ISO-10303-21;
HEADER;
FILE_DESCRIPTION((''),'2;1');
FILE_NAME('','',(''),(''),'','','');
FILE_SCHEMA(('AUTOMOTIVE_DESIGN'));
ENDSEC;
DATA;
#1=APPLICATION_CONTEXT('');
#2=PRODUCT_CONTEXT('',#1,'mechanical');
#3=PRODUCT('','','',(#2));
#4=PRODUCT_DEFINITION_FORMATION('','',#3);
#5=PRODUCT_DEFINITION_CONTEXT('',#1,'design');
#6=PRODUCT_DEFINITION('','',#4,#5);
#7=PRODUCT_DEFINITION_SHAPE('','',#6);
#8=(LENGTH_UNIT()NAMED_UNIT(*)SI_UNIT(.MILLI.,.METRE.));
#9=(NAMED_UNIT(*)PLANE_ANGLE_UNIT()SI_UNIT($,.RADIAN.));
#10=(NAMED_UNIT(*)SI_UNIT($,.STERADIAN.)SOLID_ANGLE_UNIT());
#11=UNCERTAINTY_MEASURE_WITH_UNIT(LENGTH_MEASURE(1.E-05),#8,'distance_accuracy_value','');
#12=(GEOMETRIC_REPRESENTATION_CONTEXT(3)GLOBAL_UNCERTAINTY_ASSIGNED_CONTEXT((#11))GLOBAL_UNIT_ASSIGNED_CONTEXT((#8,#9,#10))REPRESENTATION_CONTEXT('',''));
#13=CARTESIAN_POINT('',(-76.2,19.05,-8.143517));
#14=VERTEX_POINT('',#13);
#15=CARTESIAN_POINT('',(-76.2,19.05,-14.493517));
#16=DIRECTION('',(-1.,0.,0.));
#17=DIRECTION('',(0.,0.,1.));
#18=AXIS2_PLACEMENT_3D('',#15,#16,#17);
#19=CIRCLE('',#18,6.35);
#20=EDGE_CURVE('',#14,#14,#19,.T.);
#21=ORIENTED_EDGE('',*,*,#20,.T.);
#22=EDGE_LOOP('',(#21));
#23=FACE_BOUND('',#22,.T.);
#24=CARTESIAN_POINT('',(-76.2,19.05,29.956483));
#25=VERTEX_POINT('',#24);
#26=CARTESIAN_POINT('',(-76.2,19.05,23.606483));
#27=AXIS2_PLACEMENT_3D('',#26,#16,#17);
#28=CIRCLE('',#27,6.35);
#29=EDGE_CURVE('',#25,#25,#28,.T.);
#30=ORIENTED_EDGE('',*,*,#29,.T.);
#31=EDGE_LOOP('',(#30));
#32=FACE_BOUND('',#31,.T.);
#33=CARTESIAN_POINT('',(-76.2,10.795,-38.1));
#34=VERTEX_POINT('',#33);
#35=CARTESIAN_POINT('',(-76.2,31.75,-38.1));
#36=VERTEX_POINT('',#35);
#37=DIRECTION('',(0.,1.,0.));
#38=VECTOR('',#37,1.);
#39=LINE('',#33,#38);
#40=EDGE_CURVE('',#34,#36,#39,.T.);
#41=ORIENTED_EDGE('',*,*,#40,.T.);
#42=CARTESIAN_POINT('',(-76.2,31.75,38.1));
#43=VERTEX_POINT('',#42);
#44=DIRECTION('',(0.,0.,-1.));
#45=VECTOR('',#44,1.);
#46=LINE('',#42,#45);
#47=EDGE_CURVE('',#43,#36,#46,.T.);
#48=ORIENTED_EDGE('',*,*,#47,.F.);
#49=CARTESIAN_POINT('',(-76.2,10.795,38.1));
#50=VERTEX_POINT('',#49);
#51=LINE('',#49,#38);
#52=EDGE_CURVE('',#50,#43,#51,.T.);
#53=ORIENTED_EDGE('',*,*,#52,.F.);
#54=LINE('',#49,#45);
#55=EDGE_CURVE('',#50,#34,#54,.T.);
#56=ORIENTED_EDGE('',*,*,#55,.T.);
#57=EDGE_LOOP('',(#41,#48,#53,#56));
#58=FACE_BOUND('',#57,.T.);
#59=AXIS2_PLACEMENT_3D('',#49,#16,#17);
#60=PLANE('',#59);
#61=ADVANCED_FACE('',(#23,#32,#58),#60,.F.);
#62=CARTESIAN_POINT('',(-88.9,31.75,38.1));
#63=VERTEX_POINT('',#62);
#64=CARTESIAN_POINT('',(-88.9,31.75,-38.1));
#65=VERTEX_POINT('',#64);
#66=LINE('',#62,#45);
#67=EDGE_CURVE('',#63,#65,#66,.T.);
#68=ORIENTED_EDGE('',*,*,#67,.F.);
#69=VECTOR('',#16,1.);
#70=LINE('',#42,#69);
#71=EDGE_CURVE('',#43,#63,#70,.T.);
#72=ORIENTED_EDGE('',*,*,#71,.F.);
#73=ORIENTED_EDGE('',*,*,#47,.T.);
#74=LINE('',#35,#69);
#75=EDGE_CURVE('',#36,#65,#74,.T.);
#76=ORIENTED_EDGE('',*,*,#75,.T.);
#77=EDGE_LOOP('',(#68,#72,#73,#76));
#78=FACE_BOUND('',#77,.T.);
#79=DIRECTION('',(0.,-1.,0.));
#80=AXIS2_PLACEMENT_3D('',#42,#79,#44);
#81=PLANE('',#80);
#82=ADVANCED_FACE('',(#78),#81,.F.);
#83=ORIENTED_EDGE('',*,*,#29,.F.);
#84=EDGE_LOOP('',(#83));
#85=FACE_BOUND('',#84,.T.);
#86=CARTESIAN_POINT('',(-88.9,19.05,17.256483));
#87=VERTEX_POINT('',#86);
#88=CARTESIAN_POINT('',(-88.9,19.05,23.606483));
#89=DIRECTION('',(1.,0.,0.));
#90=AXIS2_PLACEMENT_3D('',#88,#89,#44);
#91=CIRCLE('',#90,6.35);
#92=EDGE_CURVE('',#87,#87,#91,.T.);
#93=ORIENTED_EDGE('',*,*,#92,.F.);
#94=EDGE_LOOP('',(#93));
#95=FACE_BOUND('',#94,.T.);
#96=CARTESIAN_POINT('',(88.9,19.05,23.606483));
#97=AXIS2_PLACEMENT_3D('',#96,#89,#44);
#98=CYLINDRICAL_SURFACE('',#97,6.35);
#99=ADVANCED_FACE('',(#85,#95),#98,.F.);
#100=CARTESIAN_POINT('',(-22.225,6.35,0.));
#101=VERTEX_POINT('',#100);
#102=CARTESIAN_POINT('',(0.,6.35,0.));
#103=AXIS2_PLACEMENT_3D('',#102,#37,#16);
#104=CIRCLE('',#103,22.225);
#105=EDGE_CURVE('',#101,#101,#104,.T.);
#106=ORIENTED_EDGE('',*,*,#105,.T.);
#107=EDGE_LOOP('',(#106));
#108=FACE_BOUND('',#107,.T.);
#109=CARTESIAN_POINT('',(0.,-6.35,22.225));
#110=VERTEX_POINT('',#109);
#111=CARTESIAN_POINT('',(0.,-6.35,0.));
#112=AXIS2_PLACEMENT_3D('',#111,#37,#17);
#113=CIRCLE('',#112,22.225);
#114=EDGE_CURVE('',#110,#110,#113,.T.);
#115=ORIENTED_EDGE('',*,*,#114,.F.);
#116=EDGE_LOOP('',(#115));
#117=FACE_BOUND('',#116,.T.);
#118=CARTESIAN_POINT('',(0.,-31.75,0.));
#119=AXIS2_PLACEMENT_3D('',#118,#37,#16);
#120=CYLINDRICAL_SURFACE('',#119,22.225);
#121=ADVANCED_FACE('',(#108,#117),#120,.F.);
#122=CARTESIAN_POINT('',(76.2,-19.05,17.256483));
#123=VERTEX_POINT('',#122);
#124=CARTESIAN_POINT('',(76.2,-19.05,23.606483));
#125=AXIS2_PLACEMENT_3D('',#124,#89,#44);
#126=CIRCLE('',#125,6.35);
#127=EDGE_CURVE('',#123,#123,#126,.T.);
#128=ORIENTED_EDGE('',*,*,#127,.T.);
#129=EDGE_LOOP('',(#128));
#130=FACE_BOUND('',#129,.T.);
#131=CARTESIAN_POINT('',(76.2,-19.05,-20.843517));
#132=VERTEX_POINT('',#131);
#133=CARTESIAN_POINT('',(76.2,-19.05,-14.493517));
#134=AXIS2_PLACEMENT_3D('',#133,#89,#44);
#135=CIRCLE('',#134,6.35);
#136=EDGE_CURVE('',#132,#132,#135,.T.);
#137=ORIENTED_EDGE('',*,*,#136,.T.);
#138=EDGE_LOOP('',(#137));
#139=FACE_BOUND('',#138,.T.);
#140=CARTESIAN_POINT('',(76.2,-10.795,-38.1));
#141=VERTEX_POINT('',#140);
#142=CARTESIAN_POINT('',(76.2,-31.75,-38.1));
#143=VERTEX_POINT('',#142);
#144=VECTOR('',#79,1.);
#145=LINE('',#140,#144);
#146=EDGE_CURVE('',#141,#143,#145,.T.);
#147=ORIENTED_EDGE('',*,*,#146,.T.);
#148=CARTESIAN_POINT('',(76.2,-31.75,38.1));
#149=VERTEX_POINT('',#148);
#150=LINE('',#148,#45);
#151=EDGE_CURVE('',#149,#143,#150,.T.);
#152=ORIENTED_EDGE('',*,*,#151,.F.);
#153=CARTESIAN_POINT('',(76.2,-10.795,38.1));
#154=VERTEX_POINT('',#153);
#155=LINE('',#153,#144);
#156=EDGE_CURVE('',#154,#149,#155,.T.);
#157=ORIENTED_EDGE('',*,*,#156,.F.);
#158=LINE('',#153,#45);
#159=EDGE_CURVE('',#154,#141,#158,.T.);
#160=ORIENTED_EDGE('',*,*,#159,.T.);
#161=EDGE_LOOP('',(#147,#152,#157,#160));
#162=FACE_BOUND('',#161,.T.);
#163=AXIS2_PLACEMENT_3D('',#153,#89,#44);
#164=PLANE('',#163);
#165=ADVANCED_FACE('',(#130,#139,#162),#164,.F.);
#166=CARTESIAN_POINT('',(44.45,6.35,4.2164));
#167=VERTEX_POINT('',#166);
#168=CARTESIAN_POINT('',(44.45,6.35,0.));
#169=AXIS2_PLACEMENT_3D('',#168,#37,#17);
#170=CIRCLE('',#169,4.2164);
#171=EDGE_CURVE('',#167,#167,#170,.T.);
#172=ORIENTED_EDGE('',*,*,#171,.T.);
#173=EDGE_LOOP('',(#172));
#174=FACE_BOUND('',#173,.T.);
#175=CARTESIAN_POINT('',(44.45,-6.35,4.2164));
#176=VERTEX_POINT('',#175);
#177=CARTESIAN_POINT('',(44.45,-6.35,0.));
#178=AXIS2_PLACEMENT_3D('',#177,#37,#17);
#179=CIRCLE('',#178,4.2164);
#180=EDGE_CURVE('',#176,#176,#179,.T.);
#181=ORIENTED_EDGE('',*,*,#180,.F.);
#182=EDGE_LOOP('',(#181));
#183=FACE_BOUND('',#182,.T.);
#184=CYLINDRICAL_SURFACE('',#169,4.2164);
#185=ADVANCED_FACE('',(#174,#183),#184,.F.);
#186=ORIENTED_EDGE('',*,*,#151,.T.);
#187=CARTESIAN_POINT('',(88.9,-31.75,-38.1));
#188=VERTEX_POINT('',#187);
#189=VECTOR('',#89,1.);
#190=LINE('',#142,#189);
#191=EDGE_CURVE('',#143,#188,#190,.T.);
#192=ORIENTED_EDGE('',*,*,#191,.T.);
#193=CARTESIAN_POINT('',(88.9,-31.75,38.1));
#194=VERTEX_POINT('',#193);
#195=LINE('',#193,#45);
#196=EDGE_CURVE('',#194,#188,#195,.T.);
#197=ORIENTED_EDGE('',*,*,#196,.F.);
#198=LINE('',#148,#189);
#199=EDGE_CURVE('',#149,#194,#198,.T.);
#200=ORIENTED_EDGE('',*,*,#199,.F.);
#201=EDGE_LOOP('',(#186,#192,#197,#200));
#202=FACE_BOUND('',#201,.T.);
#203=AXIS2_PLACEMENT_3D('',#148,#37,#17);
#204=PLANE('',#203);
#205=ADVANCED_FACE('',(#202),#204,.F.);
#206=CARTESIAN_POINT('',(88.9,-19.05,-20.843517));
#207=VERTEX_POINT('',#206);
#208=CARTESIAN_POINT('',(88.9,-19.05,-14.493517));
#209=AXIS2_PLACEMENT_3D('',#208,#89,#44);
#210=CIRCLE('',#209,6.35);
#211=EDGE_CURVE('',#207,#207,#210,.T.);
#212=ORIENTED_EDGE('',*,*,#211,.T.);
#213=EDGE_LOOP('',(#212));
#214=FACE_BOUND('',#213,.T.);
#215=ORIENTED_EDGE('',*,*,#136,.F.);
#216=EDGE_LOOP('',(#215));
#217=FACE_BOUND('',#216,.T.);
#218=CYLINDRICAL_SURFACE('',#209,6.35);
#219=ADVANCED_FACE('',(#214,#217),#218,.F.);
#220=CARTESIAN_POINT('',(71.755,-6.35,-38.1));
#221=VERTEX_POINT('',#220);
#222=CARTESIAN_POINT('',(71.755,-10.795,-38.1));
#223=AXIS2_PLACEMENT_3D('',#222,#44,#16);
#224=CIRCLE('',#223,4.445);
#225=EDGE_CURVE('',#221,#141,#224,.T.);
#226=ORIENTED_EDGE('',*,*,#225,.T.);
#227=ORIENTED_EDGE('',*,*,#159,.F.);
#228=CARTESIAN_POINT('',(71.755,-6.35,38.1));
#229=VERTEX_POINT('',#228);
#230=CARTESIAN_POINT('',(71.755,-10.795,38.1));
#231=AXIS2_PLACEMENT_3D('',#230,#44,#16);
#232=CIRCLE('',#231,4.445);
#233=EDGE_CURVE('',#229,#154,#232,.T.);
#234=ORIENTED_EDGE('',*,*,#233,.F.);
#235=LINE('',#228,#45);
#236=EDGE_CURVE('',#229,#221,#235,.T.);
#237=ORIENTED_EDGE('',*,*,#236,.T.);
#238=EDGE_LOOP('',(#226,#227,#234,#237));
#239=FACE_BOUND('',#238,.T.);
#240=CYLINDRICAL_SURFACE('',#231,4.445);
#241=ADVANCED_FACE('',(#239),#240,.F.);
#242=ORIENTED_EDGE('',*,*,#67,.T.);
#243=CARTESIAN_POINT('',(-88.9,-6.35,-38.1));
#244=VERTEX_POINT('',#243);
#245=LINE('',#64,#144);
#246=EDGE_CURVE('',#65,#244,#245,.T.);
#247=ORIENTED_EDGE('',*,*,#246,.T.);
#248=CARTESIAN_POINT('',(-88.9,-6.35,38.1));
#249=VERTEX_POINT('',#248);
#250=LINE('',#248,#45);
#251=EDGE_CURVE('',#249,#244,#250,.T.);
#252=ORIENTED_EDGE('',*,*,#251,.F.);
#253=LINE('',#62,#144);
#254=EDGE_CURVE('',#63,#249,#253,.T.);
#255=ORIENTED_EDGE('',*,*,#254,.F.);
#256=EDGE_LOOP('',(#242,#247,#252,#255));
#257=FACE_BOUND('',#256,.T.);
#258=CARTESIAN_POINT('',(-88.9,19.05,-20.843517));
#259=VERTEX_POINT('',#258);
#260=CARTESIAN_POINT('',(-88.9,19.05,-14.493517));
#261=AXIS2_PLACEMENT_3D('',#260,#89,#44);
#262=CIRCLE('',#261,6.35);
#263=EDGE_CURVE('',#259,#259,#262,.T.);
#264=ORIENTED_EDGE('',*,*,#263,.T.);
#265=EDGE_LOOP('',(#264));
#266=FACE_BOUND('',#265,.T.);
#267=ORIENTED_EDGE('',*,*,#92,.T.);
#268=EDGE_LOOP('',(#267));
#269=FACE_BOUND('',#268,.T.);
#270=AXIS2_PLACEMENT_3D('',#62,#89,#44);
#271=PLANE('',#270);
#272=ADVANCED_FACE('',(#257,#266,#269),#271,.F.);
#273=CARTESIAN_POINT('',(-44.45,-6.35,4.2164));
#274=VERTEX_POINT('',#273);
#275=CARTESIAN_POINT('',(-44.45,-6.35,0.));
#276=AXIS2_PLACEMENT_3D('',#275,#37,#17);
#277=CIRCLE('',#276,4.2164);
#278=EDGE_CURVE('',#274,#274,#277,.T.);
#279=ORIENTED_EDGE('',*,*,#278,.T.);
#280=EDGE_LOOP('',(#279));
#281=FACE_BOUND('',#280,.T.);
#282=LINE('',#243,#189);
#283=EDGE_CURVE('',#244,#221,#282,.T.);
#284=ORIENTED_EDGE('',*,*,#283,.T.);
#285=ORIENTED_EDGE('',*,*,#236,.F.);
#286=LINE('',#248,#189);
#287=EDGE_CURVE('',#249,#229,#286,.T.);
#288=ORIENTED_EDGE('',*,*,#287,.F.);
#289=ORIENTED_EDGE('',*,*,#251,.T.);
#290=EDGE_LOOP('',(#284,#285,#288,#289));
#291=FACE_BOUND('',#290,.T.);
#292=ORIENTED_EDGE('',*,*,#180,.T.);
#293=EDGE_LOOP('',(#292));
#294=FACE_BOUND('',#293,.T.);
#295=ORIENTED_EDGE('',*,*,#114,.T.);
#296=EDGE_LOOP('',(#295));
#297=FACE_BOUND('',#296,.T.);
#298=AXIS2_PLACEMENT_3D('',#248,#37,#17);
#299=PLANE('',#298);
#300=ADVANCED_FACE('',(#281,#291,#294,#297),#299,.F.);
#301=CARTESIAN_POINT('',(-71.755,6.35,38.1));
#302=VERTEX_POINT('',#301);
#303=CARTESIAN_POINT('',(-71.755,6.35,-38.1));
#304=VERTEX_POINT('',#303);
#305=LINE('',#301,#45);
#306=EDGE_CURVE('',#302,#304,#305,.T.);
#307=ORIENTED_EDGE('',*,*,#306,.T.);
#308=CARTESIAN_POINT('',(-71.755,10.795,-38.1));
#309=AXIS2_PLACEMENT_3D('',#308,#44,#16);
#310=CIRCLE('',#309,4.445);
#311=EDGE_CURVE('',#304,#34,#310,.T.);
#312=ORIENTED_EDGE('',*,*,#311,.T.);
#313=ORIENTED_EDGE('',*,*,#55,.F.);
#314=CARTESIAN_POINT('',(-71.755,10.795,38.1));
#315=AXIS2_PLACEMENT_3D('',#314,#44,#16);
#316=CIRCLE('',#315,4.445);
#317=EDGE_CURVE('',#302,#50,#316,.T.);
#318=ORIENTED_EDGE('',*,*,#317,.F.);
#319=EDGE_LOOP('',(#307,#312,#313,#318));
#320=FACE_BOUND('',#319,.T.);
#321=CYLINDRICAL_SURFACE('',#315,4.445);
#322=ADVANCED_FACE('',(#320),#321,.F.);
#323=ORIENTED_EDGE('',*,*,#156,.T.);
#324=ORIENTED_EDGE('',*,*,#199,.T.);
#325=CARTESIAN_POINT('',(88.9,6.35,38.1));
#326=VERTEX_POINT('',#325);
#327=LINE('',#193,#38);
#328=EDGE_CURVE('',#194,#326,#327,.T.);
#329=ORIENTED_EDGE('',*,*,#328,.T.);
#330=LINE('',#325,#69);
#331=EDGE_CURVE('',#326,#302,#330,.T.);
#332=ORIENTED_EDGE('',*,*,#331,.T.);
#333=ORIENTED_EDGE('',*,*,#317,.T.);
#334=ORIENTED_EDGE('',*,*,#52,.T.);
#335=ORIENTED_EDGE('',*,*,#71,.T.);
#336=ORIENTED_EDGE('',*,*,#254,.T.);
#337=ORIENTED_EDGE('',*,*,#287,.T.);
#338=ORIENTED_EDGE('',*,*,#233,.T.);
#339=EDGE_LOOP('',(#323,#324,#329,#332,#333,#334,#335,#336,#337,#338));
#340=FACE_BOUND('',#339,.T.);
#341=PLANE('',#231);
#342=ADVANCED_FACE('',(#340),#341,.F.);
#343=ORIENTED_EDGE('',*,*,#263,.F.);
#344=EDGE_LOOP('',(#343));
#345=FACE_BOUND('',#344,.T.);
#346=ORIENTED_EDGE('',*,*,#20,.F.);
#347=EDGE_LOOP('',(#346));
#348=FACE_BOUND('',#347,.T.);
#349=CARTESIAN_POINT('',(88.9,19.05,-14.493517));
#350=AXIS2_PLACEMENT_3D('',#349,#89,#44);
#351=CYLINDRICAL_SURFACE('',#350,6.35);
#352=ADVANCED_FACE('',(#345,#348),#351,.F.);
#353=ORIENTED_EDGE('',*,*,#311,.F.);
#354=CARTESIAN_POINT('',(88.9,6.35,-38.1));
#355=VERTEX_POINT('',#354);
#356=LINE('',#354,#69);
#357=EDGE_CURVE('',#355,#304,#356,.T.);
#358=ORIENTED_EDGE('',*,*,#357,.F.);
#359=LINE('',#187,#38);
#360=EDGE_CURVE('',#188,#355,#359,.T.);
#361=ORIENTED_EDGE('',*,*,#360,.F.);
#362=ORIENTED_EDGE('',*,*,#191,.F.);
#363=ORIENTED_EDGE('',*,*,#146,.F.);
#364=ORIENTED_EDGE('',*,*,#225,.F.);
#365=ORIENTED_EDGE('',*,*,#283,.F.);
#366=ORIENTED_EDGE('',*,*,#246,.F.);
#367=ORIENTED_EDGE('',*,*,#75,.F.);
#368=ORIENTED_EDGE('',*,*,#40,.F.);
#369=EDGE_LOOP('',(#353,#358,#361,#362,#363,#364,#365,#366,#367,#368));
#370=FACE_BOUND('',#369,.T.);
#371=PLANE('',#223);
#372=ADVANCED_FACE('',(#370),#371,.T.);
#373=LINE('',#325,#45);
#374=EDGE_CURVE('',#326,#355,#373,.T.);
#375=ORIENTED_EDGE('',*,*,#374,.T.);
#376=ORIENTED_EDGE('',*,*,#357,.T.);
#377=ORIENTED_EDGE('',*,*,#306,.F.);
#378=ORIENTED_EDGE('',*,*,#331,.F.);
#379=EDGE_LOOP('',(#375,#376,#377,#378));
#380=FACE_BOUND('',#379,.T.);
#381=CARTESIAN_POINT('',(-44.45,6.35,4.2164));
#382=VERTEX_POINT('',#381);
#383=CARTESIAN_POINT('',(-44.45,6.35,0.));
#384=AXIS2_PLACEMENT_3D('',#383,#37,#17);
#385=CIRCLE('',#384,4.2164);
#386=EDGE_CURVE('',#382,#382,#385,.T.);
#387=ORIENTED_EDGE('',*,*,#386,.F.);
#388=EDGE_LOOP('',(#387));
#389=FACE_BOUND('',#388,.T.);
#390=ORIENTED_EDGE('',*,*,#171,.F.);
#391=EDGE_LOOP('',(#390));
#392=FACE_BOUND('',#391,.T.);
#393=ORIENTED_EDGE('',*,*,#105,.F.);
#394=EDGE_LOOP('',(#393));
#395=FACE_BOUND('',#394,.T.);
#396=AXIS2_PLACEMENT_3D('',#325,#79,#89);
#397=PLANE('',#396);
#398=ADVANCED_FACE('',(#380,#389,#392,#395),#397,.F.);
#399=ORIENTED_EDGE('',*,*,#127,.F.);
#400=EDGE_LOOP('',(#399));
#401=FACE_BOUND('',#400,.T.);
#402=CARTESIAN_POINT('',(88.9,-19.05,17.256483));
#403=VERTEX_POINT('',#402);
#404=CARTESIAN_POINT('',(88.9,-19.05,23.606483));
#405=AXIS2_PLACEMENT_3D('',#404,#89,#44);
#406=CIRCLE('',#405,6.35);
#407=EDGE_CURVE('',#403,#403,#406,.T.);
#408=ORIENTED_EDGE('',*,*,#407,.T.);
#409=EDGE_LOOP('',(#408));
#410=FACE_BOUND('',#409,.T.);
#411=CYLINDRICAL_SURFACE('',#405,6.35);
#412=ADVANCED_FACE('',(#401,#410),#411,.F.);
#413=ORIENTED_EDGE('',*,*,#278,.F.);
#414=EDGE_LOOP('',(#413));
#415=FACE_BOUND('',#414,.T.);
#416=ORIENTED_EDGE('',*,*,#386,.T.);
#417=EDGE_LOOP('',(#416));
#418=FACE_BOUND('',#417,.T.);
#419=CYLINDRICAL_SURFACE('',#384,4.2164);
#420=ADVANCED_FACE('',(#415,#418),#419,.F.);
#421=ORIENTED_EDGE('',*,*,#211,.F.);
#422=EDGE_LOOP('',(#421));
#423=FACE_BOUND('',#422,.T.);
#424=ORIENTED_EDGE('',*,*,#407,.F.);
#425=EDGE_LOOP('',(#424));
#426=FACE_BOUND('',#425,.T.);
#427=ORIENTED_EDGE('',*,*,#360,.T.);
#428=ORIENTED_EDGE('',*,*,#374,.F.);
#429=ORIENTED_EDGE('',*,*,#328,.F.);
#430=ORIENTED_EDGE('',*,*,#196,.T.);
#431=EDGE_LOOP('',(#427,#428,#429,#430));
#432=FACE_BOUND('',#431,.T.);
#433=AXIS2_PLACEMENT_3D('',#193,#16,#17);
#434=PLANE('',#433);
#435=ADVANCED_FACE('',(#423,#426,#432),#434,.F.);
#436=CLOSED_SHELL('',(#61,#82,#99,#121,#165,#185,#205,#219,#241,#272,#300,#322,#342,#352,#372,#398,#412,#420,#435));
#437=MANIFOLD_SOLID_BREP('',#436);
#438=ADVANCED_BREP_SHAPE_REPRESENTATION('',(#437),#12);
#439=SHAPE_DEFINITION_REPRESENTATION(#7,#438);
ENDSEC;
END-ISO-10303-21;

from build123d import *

# Parameters (mm, degrees)
BOSS_EXTRUDE1_DEPTH        = 38.1
F_1_2_0_5_DIAMETER_HOLE1_D = 12.7
SKETCH4_R                  = 22.225
CUT_EXTRUDE1_DEPTH         = 104.953980203
F_3_8_24_TAPPED_HOLE1_D    = 8.4328


with BuildPart() as part:
    # Sketch1 → Boss-Extrude1 (new, symmetric)
    with BuildSketch(Plane.XY):
        with BuildLine():
            Line((-88.9, 31.75), (-88.9, -6.35))
            Line((-88.9, -6.35), (71.755, -6.35))
            ThreePointArc((71.755, -6.35), (74.898089642, -7.651910358), (76.2, -10.795))
            Line((76.2, -10.795), (76.2, -31.75))
            Line((76.2, -31.75), (88.9, -31.75))
            Line((88.9, -31.75), (88.9, 6.35))
            Line((88.9, 6.35), (-71.755, 6.35))
            ThreePointArc((-71.755, 6.35), (-74.898089642, 7.651910358), (-76.2, 10.795))
            Line((-76.2, 10.795), (-76.2, 31.75))
            Line((-76.2, 31.75), (-88.9, 31.75))
        make_face()
    extrude(amount=BOSS_EXTRUDE1_DEPTH, both=True)

    # 1/2 (0.5) Diameter Hole1 (through all)
    with Locations(Plane(origin=(88.9, 0, 0), x_dir=(0, 0, -1), z_dir=(1, 0, 0))):
        with Locations((-23.606482726, -19.05), (14.493517274, -19.05), (-23.606482726, 19.05), (14.493517274, 19.05)):
            Hole(F_1_2_0_5_DIAMETER_HOLE1_D / 2)

    # Sketch4 → Cut-Extrude1 (cut, through all)
    with BuildSketch(Plane(origin=(0, 6.35, 0), x_dir=(1, 0, 0), z_dir=(0, 1, 0))):
        with Locations(Location((0, 0, 0), (0, 0, 180))):
            Circle(SKETCH4_R)
    extrude(amount=-CUT_EXTRUDE1_DEPTH, mode=Mode.SUBTRACT)

    # 3/8-24 Tapped Hole1 (through all)
    with Locations(Plane(origin=(0, 6.35, 0), x_dir=(1, 0, 0), z_dir=(0, 1, 0))):
        with Locations((44.45, 0), (-44.45, 0)):
            Hole(F_3_8_24_TAPPED_HOLE1_D / 2)


solid = part.part
